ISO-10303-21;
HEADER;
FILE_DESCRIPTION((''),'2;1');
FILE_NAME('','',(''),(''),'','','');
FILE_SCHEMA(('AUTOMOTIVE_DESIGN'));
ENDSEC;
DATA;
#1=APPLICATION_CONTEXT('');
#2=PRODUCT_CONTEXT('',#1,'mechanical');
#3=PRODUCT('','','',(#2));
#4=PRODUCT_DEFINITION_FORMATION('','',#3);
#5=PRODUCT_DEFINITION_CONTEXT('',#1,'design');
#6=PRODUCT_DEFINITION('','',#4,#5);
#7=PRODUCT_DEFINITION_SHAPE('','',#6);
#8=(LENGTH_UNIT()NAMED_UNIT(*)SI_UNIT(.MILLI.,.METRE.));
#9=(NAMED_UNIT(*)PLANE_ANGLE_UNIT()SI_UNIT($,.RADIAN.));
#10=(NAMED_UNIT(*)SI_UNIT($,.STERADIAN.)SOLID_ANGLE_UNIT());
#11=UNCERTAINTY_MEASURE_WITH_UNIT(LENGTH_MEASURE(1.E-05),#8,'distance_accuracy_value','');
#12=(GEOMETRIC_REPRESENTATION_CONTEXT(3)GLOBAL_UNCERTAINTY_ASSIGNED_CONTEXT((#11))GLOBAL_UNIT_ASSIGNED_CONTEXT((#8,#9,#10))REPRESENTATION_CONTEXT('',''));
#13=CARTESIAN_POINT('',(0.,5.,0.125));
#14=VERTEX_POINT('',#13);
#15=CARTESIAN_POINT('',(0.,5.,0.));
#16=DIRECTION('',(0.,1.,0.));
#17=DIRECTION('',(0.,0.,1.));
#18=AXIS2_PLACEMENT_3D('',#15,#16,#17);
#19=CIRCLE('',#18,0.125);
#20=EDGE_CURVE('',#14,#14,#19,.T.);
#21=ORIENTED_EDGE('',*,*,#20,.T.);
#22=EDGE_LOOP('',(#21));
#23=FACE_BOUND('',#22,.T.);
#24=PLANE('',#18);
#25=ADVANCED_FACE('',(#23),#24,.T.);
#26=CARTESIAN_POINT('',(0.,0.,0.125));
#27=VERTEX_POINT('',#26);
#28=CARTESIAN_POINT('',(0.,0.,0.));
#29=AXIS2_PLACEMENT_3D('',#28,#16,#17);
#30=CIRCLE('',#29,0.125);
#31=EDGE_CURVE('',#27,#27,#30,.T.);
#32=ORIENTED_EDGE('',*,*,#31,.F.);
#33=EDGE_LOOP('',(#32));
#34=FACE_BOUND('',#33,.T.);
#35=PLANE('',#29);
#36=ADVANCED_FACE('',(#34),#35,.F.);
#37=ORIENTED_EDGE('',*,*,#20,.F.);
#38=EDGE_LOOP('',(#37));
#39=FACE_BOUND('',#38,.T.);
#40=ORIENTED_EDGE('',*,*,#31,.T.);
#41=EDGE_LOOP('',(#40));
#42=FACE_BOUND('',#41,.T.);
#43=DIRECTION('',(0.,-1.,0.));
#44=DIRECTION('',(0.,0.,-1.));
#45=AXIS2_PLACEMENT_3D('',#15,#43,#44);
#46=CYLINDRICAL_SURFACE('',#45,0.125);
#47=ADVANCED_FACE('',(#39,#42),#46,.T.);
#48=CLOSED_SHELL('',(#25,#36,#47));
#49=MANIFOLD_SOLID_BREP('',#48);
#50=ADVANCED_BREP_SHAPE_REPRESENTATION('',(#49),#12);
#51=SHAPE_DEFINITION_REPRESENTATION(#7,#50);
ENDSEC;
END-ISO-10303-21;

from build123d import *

# Parameters (mm, degrees)
SKETCH1_R           = 0.125
BOSS_EXTRUDE1_DEPTH = 5


with BuildPart() as part:
    # Sketch1 → Boss-Extrude1 (new body)
    with BuildSketch(Plane(origin=(0, 0, 0), x_dir=(1, 0, 0), z_dir=(0, 1, 0))):
        Circle(SKETCH1_R)
    extrude(amount=BOSS_EXTRUDE1_DEPTH)


solid = part.part
